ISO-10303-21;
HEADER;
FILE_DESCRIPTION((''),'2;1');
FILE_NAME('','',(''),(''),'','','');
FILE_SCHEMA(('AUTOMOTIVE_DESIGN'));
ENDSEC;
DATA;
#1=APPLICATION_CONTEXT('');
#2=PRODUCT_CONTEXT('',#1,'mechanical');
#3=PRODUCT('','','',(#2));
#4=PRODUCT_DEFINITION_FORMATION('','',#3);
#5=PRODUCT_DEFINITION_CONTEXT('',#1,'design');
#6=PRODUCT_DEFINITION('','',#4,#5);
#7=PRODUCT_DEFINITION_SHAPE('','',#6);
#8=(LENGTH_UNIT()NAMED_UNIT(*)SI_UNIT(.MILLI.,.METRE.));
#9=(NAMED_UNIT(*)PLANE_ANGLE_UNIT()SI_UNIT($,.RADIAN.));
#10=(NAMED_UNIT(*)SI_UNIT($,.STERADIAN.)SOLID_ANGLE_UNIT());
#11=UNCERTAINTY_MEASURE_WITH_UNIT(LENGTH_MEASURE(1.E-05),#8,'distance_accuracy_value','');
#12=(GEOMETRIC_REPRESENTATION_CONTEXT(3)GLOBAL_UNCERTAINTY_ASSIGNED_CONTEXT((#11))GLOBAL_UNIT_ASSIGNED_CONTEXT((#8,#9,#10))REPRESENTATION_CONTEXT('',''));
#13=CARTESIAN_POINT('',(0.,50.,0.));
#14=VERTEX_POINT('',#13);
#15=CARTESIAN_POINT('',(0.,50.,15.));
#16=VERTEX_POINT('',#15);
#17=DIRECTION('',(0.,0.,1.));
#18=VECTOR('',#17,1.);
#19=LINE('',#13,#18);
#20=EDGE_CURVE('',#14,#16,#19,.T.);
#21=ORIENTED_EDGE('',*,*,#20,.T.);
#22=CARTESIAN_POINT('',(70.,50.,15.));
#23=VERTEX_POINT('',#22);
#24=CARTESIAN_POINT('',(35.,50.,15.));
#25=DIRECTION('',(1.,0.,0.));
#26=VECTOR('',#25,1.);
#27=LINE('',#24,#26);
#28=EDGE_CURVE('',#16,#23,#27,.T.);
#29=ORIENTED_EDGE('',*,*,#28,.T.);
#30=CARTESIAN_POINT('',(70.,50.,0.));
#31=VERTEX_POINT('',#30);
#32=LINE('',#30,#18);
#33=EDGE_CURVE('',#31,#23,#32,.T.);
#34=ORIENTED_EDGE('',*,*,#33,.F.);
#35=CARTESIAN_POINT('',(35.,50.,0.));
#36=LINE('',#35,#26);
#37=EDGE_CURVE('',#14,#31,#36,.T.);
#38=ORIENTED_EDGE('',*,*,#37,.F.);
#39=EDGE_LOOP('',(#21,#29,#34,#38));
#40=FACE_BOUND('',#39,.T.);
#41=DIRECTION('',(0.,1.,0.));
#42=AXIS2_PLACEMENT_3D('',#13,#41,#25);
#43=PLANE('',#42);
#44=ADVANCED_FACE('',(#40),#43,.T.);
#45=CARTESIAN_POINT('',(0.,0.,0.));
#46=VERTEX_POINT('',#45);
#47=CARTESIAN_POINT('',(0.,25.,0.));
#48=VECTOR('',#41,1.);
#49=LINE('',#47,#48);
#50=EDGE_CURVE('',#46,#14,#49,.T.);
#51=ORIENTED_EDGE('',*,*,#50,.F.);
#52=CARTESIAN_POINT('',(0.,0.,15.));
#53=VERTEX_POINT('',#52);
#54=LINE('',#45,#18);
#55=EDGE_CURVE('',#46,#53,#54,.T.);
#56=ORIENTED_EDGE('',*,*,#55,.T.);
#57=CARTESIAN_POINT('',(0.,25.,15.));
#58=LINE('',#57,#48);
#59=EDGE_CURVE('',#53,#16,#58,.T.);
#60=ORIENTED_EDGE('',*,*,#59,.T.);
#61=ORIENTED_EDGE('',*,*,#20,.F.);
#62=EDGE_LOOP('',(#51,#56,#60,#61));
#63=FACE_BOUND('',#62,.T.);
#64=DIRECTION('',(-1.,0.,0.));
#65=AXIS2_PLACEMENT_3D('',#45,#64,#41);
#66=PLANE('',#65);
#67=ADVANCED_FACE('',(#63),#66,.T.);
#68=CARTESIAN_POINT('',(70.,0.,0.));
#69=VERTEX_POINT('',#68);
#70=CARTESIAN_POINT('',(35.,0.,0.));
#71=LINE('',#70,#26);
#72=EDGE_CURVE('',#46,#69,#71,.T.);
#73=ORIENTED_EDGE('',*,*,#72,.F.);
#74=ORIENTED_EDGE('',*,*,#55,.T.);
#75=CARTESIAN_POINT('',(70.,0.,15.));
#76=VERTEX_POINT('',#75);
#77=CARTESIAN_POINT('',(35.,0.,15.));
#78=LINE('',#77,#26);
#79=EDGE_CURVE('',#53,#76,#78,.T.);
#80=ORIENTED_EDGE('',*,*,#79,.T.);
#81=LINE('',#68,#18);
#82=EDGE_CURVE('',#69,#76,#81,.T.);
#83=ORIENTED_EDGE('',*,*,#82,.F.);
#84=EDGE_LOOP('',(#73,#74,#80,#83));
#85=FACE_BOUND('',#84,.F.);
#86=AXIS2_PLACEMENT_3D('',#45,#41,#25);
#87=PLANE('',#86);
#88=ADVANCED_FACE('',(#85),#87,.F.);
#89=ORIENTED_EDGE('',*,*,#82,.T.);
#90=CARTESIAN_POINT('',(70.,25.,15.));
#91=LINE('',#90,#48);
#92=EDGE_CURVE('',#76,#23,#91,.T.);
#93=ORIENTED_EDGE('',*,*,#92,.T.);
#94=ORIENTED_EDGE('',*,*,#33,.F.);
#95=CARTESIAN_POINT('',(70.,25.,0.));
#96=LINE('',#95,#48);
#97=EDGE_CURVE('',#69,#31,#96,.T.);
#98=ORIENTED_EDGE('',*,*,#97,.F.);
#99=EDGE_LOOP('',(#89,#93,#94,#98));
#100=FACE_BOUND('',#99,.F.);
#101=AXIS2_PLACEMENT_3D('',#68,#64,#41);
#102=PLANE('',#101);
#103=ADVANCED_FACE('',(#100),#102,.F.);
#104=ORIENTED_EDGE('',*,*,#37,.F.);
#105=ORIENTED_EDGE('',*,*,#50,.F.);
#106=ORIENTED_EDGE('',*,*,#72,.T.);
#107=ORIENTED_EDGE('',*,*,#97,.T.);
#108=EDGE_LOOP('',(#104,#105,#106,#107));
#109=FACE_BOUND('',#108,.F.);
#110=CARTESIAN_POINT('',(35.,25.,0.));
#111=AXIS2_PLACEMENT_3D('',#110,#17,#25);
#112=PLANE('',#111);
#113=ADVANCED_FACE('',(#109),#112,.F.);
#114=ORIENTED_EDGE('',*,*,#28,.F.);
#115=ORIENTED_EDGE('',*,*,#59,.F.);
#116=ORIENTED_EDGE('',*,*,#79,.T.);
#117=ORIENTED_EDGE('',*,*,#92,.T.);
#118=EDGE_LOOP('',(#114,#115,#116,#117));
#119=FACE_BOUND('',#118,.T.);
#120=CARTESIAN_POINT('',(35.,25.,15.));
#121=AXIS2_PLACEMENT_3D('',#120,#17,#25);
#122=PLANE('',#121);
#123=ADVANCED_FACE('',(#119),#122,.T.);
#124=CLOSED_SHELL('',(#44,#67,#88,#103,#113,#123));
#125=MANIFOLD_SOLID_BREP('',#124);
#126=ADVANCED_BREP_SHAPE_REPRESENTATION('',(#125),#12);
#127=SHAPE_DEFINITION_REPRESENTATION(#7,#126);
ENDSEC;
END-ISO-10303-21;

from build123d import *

# Parameters (mm, degrees)
BOX_W     = 70
BOX_H     = 50
BOX_DEPTH = 15


with BuildPart() as part:
    # Box → Box (new body)
    with BuildSketch(Plane.XY):
        with Locations((35, 25)):
            Rectangle(BOX_W, BOX_H)
    extrude(amount=BOX_DEPTH)


solid = part.part
